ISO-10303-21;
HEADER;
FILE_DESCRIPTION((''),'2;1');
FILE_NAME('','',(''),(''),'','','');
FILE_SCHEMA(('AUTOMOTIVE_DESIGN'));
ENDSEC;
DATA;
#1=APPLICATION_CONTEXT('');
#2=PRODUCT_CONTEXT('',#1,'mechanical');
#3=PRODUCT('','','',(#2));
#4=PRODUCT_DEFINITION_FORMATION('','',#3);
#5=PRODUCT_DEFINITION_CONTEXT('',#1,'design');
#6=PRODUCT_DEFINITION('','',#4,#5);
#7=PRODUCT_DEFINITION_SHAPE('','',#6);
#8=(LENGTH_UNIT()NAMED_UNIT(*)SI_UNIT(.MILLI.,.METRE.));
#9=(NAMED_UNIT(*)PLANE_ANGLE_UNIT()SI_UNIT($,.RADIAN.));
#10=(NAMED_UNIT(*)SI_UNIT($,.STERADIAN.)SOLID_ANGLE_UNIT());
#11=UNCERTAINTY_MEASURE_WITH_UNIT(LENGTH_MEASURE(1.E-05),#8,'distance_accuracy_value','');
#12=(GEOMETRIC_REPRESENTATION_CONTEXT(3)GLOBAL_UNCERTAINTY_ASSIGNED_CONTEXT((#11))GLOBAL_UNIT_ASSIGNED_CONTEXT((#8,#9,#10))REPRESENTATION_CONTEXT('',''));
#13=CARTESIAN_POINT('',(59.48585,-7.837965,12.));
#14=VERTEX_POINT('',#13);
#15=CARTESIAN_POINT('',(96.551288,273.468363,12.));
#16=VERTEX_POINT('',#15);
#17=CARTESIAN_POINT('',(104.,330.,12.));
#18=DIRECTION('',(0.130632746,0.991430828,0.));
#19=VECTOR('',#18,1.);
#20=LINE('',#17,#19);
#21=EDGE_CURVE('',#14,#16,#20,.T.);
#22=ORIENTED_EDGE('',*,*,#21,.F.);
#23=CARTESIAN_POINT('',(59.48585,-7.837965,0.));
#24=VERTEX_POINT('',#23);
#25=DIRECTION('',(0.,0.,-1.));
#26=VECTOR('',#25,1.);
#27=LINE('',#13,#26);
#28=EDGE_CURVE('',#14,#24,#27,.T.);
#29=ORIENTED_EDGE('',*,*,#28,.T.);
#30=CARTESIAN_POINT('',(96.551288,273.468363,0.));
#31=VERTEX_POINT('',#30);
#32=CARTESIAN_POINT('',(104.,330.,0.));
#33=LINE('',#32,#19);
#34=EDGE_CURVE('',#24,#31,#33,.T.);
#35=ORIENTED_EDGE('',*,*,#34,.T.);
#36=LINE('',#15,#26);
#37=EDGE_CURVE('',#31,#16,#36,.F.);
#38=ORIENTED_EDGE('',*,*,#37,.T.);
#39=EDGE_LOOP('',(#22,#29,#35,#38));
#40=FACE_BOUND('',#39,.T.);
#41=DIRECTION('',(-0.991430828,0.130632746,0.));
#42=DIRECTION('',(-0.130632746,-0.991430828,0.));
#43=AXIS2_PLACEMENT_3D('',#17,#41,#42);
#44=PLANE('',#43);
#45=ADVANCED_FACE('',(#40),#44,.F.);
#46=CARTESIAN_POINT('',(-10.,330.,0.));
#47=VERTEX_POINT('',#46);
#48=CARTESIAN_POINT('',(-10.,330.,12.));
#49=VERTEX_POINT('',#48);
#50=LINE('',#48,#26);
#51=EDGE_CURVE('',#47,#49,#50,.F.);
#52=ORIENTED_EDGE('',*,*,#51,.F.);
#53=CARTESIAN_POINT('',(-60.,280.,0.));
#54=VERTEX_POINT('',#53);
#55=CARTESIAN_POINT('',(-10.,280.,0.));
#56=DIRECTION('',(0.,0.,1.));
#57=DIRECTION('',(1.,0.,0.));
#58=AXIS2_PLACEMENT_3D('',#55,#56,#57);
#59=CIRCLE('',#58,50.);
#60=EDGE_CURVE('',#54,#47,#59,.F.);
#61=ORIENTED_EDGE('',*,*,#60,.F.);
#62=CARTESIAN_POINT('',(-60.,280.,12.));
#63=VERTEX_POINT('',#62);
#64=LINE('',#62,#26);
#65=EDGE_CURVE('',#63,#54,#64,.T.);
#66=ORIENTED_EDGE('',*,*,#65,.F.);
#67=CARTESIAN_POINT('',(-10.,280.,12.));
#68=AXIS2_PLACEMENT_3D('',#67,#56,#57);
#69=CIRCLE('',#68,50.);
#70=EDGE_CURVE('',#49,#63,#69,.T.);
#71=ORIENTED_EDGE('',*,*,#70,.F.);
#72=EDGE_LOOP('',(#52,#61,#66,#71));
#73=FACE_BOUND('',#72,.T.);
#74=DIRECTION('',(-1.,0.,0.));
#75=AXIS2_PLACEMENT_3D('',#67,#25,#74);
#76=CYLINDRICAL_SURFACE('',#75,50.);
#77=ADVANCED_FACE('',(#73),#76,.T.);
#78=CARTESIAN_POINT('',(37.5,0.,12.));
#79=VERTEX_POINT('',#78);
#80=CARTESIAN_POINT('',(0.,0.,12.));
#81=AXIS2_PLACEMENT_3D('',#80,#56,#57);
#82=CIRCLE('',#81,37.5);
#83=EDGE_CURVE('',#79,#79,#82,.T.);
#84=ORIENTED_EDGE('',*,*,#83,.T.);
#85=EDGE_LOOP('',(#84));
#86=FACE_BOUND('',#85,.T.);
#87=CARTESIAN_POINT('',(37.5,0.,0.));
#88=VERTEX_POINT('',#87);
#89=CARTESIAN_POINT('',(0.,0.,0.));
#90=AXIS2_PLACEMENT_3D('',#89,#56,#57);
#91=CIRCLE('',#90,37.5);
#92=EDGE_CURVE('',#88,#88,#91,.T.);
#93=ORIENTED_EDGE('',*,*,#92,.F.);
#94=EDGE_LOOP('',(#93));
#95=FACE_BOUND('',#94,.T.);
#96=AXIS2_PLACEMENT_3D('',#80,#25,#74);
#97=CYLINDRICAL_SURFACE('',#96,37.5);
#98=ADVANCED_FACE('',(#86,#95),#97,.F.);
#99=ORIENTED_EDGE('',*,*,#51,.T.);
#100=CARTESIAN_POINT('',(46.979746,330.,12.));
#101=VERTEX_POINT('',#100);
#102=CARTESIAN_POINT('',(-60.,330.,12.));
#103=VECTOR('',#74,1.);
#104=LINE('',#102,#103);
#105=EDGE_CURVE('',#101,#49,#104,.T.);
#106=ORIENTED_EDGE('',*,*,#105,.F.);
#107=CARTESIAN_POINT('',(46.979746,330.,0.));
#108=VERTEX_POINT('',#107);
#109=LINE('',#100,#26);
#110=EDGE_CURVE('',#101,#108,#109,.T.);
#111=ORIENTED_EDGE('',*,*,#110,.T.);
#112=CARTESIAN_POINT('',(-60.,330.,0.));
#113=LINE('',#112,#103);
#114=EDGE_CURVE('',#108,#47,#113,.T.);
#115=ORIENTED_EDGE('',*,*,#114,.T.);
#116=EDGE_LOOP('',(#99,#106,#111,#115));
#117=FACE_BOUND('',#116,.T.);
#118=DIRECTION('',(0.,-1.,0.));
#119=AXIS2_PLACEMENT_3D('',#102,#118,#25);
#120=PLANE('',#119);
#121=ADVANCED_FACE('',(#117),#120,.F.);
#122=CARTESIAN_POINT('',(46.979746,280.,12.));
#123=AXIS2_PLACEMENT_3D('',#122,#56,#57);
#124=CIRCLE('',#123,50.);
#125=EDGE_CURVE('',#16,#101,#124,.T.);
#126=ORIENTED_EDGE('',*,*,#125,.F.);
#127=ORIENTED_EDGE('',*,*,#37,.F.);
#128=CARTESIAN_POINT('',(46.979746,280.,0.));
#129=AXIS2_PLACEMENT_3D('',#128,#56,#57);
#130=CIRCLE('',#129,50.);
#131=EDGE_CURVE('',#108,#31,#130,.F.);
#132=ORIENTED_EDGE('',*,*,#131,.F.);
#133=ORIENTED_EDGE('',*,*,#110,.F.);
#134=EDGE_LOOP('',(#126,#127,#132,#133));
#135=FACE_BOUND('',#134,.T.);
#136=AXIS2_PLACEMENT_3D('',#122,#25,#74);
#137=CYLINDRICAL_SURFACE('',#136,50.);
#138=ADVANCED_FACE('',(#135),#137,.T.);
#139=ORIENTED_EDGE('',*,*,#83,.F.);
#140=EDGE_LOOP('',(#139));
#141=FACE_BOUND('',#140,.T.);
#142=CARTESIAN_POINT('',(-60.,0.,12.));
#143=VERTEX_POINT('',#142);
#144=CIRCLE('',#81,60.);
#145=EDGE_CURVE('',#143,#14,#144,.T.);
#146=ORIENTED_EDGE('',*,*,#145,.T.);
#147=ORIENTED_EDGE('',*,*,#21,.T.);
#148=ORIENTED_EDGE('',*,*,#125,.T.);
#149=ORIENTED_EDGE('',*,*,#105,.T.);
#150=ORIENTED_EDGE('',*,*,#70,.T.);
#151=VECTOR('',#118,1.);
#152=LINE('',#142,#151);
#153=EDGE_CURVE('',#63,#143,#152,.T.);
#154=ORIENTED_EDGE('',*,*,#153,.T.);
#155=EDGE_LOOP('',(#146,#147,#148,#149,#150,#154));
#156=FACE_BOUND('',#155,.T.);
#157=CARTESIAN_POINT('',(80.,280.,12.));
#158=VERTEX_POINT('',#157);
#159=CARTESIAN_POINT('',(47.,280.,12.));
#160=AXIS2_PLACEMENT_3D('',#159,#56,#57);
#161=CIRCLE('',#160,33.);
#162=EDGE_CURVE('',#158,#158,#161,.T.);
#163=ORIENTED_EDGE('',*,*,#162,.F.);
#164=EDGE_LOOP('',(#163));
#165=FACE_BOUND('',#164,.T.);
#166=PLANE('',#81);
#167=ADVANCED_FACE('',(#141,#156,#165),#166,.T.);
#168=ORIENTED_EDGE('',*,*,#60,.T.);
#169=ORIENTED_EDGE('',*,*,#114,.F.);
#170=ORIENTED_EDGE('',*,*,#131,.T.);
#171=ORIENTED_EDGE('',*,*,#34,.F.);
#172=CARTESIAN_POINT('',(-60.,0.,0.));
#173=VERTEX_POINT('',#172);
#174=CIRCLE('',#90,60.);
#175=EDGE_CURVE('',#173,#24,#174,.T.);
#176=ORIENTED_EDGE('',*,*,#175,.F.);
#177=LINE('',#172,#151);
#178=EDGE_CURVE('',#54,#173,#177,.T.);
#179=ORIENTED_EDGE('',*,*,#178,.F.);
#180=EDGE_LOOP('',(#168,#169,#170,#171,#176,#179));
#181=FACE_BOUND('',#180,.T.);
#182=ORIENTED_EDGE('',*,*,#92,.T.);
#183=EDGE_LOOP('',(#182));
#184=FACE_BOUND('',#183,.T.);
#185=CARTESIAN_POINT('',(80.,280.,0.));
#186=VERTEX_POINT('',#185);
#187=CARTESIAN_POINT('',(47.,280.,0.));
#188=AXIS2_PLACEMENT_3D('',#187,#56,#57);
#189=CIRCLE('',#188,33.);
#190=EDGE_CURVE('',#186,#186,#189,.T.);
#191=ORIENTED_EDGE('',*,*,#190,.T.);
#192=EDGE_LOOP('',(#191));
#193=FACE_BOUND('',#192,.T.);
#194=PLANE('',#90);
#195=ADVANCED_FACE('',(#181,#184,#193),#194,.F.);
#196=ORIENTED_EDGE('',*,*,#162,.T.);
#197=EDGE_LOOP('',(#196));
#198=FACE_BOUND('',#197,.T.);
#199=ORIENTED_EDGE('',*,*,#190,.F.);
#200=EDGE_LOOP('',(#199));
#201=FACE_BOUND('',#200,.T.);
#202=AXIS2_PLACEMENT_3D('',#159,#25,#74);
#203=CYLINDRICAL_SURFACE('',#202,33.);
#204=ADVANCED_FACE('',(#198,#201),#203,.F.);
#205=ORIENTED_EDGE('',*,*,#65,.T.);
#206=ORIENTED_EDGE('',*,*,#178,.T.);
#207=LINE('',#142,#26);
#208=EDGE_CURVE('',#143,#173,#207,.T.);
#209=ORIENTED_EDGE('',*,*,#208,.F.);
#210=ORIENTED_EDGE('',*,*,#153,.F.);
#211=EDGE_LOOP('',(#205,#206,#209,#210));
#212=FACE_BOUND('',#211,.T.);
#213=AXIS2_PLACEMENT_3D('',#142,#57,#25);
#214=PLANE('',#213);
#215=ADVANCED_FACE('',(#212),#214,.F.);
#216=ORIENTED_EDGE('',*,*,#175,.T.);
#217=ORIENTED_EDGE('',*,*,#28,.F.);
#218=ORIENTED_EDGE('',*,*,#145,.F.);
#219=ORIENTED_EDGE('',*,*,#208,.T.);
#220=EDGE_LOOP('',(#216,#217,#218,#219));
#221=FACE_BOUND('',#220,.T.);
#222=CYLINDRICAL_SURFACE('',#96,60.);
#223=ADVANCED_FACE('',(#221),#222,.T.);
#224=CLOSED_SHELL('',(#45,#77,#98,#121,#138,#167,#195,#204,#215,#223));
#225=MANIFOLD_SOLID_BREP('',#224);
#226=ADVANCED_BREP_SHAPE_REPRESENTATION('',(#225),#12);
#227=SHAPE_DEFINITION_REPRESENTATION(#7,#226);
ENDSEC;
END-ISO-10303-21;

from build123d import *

# Parameters (mm, degrees)
SKETCH_1_R      = 37.5
SKETCH_1_R_2    = 33
EXTRUDE_1_DEPTH = 12
FILLET_1_R      = 50


with BuildPart() as part:
    # 草图1 → 凸台-拉伸1 (new body)
    with BuildSketch(Plane.XY):
        with BuildLine():
            Line((-60, 0), (-60, 330))
            Line((-60, 330), (104, 330))
            Line((104, 330), (59.485849651, -7.837964739))
            ThreePointArc((59.485849651, -7.837964739), (-3.927405054, -59.871324435), (-60, 0))
        make_face()
        Circle(SKETCH_1_R, mode=Mode.SUBTRACT)
        with Locations((47, 280)):
            Circle(SKETCH_1_R_2, mode=Mode.SUBTRACT)
    extrude(amount=EXTRUDE_1_DEPTH)

    # 圆角1
    fillet_1_edges = [part.edges().sort_by_distance(p)[0] for p in [
        (-60, 330, 6),
        (104, 330, 6),
    ]]
    fillet(fillet_1_edges, radius=FILLET_1_R)


solid = part.part
